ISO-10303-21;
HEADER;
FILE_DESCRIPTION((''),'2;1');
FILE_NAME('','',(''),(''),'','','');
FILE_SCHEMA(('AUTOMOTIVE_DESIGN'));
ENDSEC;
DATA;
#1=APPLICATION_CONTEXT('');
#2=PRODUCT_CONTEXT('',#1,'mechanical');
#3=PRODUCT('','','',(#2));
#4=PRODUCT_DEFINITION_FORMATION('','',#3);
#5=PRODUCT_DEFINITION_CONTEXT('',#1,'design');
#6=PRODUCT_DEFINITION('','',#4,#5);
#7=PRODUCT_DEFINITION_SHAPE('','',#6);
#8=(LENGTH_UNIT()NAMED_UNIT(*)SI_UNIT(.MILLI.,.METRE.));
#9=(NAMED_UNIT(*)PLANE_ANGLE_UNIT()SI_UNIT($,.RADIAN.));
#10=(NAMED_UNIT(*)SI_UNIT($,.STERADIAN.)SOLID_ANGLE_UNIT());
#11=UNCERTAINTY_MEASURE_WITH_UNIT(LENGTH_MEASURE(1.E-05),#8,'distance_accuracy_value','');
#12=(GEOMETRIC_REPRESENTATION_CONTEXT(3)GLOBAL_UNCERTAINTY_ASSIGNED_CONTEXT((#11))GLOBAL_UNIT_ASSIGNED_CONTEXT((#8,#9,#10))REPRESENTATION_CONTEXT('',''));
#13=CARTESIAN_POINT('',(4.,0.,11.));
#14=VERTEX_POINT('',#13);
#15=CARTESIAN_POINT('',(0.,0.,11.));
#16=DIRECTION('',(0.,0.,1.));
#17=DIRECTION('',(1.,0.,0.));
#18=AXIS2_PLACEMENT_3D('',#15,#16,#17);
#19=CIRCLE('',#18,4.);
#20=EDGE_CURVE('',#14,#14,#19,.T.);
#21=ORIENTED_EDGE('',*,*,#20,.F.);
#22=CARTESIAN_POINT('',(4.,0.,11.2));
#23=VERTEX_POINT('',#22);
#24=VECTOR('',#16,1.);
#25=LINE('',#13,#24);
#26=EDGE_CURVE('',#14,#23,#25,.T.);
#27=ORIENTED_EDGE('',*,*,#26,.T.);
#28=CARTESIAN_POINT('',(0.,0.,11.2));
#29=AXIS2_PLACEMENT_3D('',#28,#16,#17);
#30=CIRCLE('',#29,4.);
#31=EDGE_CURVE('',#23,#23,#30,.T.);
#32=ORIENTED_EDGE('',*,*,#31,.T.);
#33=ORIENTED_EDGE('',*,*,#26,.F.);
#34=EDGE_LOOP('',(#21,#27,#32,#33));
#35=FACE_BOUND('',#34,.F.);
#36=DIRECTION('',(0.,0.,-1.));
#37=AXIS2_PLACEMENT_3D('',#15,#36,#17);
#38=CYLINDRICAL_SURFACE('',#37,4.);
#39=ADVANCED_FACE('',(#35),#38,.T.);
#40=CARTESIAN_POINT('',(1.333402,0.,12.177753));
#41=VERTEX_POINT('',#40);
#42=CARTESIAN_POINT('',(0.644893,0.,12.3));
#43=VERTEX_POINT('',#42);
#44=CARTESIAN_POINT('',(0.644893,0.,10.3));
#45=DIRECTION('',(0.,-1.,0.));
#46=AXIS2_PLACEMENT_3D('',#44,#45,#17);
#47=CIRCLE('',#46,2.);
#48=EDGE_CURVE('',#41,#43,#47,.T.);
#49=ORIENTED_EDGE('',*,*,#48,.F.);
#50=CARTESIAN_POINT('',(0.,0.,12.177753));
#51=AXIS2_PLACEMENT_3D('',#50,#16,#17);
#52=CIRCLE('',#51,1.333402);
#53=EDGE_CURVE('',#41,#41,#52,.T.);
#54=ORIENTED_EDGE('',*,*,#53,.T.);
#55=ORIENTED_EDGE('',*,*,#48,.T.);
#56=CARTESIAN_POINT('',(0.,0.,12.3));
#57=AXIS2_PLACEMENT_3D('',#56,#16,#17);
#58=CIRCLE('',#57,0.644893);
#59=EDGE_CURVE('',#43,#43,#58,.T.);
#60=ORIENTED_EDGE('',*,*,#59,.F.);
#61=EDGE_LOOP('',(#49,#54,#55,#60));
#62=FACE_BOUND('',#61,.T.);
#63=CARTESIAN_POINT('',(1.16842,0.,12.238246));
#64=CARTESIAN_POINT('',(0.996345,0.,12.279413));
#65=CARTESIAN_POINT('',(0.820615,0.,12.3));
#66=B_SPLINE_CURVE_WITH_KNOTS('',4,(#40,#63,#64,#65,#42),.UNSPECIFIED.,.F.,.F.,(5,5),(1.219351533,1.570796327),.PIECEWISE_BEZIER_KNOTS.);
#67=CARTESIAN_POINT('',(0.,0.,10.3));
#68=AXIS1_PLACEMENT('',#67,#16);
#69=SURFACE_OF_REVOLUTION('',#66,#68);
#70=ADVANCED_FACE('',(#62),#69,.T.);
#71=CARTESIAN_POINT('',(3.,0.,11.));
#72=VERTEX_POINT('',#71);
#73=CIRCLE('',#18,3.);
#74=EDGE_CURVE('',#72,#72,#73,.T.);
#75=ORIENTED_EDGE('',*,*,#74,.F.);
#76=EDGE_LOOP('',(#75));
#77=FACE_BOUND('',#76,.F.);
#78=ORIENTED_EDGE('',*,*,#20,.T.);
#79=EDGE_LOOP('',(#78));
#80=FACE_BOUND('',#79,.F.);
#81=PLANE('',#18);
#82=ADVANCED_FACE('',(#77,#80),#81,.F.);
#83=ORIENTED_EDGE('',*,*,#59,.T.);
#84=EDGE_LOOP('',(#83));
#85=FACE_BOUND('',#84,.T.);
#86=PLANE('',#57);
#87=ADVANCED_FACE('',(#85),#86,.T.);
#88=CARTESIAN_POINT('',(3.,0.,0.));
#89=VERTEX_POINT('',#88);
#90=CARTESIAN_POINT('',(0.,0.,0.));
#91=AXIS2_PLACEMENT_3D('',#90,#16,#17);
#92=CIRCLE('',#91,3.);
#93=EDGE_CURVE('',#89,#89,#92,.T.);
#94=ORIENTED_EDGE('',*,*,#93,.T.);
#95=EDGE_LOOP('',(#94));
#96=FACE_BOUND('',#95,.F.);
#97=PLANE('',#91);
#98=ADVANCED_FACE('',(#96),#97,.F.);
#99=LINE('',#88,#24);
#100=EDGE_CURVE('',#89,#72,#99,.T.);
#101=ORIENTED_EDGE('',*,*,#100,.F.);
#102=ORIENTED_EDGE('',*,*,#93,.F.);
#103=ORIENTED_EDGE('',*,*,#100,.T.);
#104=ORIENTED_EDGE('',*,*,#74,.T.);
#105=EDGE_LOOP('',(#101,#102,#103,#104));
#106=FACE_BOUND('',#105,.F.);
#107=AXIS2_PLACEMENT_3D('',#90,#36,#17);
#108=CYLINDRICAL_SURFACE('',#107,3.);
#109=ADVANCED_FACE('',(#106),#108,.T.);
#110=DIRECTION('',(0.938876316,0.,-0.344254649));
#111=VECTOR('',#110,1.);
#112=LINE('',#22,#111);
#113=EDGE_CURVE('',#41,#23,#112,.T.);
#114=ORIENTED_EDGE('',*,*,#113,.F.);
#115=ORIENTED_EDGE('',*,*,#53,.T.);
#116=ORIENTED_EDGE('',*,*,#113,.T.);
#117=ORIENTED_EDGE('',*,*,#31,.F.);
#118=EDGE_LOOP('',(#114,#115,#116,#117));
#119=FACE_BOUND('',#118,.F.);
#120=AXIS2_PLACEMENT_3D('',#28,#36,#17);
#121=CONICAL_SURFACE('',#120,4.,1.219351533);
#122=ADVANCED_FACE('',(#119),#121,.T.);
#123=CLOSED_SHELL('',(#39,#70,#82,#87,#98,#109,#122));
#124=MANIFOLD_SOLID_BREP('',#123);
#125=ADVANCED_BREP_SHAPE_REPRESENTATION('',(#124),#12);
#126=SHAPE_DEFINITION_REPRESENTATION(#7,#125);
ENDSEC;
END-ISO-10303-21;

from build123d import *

# Parameters (mm, degrees)
F0_R     = 3
F1_DEPTH = 11
F2_R     = 4
F3_DEPTH = 1.3
F4_SIZE2 = 1.1
F4_SIZE  = 3
F5_R     = 2


with BuildPart() as f1:
    # F0 (on Top) → F1 (new body)
    with BuildSketch(Plane.XY):
        Circle(F0_R)
    extrude(amount=F1_DEPTH)

    # F2 (on face) → F3 (join)
    with BuildSketch(Plane.XY.offset(11)):
        Circle(F2_R)
    extrude(amount=F3_DEPTH)

    # F4
    f4_edges = [f1.edges().sort_by_distance(p)[0] for p in [
        (-4, 0, 12.3),
    ]]
    f4_side = f1.faces().sort_by_distance((0, 0, 12.3))[0]
    chamfer(f4_edges, length=F4_SIZE, length2=F4_SIZE2, reference=f4_side)

    # F5
    f5_edges = [f1.edges().sort_by_distance(p)[0] for p in [
        (-1, 0, 12.3),
    ]]
    fillet(f5_edges, radius=F5_R)


solid = f1.part
